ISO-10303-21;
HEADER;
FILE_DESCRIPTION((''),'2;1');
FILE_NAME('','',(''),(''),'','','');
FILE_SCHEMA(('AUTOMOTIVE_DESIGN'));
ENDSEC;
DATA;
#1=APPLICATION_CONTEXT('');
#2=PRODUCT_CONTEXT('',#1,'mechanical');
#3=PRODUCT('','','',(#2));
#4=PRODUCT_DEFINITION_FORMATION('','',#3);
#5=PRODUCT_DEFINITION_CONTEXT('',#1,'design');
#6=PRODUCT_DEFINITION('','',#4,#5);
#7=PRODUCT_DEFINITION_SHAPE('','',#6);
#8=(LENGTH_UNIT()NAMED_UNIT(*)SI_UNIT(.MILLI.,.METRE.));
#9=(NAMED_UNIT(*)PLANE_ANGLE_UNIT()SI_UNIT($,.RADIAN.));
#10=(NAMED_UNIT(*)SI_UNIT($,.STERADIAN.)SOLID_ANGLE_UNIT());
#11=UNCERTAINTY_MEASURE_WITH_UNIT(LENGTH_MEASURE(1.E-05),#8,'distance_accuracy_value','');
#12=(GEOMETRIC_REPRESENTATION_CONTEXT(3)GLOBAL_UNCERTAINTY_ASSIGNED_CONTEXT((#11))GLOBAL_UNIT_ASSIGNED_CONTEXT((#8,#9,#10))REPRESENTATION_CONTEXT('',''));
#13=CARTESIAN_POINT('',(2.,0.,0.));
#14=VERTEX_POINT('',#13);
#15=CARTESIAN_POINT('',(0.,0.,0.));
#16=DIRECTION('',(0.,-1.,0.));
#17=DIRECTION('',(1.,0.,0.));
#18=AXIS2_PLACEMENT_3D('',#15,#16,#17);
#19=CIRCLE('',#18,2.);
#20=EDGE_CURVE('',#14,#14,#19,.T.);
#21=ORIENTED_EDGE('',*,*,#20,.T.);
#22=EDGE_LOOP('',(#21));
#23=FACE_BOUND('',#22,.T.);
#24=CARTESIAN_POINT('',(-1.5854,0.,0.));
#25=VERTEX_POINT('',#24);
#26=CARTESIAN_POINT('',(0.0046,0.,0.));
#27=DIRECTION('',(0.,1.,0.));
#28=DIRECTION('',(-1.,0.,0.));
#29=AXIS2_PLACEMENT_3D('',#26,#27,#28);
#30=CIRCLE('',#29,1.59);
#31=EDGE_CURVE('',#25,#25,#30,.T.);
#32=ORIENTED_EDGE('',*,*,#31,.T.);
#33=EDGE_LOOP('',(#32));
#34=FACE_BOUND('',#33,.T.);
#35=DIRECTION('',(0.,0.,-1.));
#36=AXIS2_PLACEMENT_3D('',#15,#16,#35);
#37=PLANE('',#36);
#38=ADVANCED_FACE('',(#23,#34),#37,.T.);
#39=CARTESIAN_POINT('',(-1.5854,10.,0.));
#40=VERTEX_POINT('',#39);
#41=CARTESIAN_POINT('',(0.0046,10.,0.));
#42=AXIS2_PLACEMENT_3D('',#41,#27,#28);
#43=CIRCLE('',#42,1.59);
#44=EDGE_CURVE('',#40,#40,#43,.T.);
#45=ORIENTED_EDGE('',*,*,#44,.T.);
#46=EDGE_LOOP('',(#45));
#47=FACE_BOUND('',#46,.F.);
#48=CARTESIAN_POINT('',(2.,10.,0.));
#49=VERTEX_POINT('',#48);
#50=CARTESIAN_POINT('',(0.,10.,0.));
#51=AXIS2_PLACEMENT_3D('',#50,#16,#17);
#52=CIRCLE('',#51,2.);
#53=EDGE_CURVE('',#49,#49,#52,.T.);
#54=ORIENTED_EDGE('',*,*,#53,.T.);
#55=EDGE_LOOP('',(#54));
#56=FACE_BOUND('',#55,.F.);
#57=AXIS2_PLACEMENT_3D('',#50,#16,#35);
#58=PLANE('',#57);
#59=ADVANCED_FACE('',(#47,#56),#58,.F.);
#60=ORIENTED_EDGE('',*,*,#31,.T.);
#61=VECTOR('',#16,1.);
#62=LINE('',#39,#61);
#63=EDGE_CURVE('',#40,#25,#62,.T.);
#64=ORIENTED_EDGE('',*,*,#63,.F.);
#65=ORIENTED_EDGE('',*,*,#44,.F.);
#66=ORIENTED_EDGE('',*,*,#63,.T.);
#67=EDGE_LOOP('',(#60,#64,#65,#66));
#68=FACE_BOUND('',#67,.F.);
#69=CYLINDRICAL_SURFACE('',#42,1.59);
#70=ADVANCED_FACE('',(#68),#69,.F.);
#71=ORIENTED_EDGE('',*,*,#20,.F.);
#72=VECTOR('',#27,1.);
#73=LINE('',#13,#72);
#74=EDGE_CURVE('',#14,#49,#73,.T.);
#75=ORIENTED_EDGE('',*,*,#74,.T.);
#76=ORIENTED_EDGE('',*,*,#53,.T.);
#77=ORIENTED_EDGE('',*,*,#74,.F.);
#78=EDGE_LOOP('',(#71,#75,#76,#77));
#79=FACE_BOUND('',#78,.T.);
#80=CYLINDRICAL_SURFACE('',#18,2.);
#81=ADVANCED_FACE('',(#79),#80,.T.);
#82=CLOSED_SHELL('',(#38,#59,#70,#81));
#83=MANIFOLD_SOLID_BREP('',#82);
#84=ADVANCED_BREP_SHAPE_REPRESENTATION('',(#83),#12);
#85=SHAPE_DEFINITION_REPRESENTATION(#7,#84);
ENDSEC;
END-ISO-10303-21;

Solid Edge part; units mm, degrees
sketch "Sketch1" plane through (0, 0, 0) normal (0, -1, 0) x (1, 0, 0)
  circle A0 centre (0, 0) radius 2
  dimension "D1" = 4
extrude "Protrusion1" add sketch "Sketch1" against normal blind 10
sketch "Sketch2" plane through (0, 10, 0) normal (0, 1, 0) x (-1, 0, 0)
  circle A0 centre (-0.0046, 0) radius 1.59
  dimension "D1" = 3.18
extrude "Cutout1" cut sketch "Sketch2" against normal up to next
